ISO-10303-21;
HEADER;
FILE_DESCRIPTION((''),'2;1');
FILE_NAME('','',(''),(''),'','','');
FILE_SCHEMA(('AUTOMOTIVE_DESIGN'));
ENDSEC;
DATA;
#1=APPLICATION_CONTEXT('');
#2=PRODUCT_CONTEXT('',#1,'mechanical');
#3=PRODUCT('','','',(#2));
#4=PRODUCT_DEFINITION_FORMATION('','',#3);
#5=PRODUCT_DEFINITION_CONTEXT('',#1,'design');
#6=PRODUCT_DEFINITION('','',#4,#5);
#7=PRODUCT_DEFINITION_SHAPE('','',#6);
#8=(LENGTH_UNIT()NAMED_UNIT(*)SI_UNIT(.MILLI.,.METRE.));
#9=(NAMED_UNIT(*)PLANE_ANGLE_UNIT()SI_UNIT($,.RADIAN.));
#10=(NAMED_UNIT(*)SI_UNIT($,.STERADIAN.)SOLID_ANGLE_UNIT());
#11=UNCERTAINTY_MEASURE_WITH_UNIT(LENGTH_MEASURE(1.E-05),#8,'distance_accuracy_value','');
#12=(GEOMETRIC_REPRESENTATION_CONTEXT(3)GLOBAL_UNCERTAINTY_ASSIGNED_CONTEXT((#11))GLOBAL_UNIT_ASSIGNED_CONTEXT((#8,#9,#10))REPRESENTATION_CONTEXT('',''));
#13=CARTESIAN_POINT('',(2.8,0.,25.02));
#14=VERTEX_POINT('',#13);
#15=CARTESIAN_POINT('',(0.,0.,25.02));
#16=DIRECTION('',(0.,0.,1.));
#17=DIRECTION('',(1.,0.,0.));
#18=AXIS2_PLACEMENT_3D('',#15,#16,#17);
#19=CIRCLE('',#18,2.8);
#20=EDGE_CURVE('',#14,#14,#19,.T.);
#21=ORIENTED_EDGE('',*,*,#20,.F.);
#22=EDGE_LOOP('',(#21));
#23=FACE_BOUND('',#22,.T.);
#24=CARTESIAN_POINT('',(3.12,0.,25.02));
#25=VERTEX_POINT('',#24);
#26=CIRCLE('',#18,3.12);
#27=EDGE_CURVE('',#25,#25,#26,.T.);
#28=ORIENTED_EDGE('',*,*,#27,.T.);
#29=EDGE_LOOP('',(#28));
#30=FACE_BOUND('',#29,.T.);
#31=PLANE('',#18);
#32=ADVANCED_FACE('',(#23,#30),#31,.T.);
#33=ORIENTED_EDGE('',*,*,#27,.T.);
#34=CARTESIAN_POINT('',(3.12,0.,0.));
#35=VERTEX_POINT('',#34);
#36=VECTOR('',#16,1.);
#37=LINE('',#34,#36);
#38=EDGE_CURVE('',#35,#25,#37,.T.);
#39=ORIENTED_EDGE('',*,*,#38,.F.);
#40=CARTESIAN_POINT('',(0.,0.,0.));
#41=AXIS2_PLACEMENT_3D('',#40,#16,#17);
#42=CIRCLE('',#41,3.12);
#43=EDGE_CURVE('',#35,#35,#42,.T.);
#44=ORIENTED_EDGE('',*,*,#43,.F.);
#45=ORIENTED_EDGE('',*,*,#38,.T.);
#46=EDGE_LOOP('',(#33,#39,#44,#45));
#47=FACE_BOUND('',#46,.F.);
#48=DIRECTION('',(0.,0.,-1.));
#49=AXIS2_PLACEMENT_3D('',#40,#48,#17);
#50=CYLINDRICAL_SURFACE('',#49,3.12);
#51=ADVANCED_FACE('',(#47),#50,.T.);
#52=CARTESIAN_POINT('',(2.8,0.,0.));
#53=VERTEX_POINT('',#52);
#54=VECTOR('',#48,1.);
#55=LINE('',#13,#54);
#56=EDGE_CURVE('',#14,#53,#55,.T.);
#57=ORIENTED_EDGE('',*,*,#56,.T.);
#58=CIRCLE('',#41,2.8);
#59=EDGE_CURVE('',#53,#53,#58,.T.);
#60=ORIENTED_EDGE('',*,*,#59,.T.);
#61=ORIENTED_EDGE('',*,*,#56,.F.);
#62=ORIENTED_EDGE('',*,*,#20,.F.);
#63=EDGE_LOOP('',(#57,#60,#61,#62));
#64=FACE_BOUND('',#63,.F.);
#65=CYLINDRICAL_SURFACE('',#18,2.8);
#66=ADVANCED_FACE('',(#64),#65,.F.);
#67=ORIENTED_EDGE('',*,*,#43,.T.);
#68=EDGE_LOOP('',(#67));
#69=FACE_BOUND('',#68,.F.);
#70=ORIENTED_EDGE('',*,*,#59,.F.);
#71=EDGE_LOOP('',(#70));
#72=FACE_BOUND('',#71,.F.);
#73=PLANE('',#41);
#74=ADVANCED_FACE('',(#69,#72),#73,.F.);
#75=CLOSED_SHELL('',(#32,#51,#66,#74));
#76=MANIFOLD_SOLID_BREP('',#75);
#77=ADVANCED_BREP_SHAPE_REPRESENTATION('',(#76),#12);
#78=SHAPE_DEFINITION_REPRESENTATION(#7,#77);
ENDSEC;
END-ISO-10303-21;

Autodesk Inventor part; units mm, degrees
ref_plane "YZ Plane" through (0, 0, 0) normal (1, 0, 0) x (0, 1, 0)
ref_plane "XZ Plane" through (0, 0, 0) normal (0, 1, 0) x (-1, 0, 0)
ref_plane "XY Plane" through (0, 0, 0) normal (0, 0, 1) x (1, 0, 0)
sketch "Sketch1" plane through (0, 0, 0) normal (0, 0, 1) x (1, 0, 0)
  circle A0 centre (0, 0) radius 3.12
  dimension "d0" = 6.24
extrude "Extrusion1" add sketch "Sketch1" along normal blind 25.02
sketch "Sketch2" plane through (0, 0, 25.02) normal (0, 0, 1) x (1, 0, 0)
  circle A0 centre (0, 0) radius 2.8
  dimension "d3" = 5.6
extrude "Extrusion2" cut sketch "Sketch2" against normal through all
properties part number "CAPTURE"
